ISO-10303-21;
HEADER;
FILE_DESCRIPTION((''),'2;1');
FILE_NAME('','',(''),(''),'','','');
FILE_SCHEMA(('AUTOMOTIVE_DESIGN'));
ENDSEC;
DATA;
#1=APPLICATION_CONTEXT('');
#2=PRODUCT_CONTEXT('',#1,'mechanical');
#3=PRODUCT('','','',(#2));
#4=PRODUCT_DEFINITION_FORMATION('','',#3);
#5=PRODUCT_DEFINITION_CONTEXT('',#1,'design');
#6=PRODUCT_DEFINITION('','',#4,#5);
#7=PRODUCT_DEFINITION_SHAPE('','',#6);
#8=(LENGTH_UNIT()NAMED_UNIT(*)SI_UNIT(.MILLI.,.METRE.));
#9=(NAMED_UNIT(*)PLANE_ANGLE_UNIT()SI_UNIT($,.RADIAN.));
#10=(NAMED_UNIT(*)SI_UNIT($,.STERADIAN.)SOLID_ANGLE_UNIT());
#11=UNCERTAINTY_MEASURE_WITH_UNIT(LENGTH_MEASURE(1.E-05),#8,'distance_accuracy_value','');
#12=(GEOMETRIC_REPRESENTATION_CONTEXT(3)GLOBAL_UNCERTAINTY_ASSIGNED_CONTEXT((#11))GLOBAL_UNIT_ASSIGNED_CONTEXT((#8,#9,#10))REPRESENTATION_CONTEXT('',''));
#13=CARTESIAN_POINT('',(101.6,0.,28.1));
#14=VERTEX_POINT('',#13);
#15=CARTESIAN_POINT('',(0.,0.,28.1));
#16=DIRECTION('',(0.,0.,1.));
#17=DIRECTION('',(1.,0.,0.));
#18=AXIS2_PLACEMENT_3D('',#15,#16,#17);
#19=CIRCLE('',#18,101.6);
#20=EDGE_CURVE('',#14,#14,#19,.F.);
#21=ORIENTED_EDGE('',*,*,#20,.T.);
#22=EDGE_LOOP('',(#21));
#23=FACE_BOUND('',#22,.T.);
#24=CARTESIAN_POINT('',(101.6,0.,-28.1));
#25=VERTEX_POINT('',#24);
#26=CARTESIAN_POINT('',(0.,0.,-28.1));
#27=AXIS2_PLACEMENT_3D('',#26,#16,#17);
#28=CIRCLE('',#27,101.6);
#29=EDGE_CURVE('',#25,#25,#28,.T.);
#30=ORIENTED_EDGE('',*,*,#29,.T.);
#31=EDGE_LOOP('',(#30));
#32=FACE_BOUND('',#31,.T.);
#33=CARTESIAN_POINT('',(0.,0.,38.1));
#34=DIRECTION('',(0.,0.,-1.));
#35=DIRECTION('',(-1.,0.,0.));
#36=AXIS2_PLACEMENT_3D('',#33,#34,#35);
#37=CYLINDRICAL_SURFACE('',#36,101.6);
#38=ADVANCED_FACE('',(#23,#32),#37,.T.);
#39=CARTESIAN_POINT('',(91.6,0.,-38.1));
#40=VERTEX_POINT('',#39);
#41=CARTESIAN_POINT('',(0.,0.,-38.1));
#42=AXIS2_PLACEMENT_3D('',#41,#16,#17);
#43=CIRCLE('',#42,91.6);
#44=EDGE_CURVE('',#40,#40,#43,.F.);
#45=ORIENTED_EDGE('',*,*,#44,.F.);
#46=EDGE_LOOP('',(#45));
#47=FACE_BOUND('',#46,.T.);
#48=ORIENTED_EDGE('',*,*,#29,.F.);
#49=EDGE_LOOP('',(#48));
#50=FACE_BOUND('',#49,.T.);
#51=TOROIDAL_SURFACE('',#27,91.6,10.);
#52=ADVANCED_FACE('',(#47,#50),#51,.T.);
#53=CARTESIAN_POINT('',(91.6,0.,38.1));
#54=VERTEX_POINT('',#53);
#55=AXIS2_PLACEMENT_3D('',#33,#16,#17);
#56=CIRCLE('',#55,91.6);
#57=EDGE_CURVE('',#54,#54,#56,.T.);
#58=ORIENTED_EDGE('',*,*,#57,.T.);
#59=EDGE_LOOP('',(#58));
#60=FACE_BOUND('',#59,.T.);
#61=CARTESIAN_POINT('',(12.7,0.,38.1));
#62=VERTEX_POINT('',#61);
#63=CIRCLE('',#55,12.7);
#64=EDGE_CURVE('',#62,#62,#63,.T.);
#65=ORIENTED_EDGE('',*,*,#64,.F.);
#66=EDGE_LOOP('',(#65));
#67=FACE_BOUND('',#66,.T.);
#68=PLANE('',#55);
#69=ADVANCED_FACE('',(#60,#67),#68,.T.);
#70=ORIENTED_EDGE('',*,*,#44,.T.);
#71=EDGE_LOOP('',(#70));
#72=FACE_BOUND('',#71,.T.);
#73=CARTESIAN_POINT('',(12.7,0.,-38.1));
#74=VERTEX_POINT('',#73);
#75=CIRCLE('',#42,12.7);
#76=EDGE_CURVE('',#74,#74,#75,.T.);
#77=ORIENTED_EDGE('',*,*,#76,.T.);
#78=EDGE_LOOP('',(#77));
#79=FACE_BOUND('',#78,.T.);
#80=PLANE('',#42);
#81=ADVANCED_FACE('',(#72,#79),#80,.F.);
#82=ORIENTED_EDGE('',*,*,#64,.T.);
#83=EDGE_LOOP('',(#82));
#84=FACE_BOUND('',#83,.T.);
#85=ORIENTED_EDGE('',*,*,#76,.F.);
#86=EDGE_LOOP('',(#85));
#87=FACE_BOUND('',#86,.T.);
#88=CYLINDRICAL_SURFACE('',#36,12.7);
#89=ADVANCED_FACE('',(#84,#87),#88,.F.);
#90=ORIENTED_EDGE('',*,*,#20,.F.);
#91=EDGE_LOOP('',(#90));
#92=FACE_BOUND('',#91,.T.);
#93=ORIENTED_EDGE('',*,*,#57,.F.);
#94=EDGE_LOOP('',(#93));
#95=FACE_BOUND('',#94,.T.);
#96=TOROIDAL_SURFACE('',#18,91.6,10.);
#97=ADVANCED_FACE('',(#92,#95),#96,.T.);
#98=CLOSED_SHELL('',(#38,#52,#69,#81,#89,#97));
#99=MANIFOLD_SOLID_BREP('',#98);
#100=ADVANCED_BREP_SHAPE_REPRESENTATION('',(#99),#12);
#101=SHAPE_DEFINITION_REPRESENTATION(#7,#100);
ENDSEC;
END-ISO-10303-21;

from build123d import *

# Parameters (mm, degrees)
SKETCH1_R           = 101.6
SKETCH1_R_2         = 12.7
BOSS_EXTRUDE1_DEPTH = 38.1
FILLET1_R           = 10


with BuildPart() as part:
    # Sketch1 → Boss-Extrude1 (new body, symmetric)
    with BuildSketch(Plane.XY):
        Circle(SKETCH1_R)
        Circle(SKETCH1_R_2, mode=Mode.SUBTRACT)
    extrude(amount=BOSS_EXTRUDE1_DEPTH, both=True)

    # Fillet1
    fillet1_edges = [part.edges().sort_by_distance(p)[0] for p in [
        (-101.6, 0, -38.1),
        (-101.6, 0, 38.1),
    ]]
    fillet(fillet1_edges, radius=FILLET1_R)


solid = part.part
